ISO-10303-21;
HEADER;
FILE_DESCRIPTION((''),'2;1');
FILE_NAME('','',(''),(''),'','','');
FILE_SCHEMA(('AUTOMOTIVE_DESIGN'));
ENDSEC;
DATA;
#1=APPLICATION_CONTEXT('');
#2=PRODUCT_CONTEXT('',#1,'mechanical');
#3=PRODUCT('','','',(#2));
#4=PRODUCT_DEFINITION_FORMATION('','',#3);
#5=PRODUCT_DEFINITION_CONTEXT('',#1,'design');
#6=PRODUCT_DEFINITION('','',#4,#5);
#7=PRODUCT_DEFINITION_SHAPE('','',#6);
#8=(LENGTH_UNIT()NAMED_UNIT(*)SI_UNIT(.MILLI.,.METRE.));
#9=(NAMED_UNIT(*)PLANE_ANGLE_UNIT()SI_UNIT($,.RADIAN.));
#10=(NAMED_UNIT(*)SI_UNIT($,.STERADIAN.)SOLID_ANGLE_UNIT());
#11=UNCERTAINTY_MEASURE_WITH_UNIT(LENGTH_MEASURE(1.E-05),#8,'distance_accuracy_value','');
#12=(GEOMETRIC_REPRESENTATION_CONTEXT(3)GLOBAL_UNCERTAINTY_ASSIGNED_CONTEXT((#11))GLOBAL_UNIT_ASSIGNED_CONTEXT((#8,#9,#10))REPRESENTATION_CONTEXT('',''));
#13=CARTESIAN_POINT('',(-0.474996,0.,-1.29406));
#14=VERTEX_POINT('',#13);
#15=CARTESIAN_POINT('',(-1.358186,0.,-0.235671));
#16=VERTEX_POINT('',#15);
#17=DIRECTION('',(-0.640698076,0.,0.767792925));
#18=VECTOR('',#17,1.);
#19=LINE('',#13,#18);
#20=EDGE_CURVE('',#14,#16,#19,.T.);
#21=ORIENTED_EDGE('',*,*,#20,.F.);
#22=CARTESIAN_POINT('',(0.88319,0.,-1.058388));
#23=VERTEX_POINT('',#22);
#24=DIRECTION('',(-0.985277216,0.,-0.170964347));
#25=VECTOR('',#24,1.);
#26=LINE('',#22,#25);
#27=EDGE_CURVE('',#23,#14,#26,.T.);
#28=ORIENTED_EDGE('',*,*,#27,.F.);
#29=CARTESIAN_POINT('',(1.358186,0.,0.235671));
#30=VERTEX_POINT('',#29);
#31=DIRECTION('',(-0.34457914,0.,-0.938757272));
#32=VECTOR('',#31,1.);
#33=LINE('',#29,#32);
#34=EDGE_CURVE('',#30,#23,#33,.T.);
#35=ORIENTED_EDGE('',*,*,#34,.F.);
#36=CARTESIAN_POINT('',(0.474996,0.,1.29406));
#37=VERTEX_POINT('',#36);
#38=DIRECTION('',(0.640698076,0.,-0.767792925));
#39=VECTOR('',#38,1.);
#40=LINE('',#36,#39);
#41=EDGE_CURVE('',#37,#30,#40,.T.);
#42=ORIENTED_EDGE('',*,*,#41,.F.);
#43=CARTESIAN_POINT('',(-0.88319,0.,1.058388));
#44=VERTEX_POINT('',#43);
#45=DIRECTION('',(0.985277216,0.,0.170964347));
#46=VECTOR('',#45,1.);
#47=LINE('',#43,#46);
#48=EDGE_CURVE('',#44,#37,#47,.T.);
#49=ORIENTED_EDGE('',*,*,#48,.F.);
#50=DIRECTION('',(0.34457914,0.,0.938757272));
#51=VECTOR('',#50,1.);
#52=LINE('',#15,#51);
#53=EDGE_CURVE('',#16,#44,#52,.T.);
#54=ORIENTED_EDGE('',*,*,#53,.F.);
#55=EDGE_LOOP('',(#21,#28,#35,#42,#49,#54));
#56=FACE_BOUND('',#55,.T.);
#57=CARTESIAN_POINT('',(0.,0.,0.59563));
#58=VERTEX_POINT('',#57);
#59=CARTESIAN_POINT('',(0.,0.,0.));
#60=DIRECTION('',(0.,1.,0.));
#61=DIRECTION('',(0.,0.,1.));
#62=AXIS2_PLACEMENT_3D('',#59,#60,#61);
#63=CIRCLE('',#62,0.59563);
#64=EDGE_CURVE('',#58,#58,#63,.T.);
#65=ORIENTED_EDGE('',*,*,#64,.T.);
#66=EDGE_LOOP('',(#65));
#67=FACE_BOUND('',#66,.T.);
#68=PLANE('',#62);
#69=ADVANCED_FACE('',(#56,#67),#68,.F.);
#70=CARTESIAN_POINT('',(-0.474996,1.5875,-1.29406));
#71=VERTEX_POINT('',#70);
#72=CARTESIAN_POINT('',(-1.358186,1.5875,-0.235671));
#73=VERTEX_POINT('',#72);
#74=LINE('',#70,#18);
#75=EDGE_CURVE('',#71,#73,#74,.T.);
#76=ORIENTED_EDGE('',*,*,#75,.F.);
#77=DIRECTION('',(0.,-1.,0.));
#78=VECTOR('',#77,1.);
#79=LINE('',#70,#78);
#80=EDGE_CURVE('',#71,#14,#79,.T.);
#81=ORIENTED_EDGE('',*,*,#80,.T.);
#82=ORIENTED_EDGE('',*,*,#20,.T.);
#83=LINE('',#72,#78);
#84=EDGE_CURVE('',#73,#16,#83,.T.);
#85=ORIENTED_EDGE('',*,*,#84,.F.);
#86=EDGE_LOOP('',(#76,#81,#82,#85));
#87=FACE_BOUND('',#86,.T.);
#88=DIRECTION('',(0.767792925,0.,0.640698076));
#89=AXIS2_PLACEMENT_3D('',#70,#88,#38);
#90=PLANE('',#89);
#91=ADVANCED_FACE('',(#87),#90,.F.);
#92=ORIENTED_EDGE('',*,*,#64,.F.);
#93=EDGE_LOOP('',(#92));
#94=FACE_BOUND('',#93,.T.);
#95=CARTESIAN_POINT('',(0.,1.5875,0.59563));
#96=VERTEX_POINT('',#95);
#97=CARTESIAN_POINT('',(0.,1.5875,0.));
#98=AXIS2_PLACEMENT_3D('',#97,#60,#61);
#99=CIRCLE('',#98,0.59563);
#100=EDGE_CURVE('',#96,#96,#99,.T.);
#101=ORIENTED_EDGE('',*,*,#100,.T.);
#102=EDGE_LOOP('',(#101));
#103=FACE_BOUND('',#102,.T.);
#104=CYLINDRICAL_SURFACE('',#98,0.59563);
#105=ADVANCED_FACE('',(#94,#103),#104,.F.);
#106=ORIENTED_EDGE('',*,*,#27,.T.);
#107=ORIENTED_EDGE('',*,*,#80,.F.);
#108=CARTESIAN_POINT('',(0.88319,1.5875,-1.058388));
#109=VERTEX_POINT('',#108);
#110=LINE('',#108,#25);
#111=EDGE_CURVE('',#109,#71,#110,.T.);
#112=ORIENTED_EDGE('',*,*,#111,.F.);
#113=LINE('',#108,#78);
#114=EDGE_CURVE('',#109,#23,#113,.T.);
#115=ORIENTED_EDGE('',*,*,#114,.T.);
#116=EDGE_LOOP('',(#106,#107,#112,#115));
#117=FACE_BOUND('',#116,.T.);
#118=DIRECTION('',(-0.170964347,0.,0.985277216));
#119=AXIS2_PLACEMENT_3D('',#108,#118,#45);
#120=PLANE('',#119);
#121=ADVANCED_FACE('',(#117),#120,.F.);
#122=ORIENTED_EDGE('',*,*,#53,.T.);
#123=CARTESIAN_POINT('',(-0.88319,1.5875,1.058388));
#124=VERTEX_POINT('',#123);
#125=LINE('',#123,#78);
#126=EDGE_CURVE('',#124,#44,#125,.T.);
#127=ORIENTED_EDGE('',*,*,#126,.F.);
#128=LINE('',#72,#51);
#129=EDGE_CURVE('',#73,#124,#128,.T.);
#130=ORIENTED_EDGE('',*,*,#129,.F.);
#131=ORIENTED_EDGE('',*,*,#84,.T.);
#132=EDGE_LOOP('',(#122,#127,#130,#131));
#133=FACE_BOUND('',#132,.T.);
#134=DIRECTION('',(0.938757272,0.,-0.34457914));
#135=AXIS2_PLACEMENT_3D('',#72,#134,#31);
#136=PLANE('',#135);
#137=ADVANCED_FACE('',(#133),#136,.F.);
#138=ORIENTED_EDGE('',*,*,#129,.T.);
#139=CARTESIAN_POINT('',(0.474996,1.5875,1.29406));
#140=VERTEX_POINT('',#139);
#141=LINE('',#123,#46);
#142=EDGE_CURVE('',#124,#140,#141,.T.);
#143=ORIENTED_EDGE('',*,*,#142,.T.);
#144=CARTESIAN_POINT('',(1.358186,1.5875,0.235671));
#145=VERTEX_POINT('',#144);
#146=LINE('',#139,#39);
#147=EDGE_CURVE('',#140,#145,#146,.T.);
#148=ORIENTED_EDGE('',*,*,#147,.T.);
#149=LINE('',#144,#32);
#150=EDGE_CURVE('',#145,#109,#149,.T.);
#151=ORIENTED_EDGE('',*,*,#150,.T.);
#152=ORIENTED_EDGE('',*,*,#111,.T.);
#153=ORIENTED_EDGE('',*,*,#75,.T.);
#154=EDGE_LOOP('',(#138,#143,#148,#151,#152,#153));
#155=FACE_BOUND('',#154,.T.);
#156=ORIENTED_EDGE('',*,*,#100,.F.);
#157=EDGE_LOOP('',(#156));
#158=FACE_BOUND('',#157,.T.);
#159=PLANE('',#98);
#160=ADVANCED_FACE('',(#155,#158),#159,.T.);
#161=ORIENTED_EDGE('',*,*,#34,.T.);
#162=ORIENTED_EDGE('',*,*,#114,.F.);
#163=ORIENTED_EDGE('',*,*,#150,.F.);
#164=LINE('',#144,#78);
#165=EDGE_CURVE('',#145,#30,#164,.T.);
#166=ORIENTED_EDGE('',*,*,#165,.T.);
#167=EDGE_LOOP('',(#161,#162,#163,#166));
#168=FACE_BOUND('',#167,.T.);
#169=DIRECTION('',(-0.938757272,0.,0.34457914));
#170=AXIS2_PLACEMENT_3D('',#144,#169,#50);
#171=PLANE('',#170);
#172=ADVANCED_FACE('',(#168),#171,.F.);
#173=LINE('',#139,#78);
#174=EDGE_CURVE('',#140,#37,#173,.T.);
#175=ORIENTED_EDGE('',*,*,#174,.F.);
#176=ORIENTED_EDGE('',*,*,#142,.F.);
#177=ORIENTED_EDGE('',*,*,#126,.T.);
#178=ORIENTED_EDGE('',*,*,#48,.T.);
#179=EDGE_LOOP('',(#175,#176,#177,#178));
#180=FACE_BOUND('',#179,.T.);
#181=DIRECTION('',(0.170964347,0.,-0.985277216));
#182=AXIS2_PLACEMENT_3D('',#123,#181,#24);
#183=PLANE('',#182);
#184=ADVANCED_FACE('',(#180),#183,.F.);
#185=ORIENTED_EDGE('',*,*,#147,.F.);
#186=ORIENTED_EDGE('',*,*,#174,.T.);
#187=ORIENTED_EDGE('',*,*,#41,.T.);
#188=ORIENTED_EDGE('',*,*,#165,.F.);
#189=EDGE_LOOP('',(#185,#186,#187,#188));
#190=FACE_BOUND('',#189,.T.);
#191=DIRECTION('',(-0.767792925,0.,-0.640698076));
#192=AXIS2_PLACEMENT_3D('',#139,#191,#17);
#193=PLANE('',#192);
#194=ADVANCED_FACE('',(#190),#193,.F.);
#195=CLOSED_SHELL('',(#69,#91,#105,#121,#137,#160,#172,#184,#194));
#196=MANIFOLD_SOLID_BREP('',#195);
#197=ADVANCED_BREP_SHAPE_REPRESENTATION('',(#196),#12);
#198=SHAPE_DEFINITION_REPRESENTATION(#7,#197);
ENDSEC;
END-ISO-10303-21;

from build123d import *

# Parameters (mm, degrees)
BOSS_EXTRUDE1_DEPTH   = 1.5875
F_0_80_TAPPED_HOLE1_D = 1.19126


with BuildPart() as part:
    # Sketch1 → Boss-Extrude1 (new body)
    with BuildSketch(Plane(origin=(0, 0, 0), x_dir=(1, 0, 0), z_dir=(0, 1, 0))):
        Polygon((-0.474995971, 1.294059535), (-1.358186417, 0.23567119), (-0.883190446, -1.058388345), (0.474995971, -1.294059535), (1.358186417, -0.23567119), (0.883190446, 1.058388345), align=None)
    extrude(amount=BOSS_EXTRUDE1_DEPTH)

    # #0-80 Tapped Hole1 (through all)
    with Locations(Plane(origin=(0, 1.5875, 0), x_dir=(1, 0, 0), z_dir=(0, 1, 0))):
        with Locations((0, 0)):
            Hole(F_0_80_TAPPED_HOLE1_D / 2)


solid = part.part
